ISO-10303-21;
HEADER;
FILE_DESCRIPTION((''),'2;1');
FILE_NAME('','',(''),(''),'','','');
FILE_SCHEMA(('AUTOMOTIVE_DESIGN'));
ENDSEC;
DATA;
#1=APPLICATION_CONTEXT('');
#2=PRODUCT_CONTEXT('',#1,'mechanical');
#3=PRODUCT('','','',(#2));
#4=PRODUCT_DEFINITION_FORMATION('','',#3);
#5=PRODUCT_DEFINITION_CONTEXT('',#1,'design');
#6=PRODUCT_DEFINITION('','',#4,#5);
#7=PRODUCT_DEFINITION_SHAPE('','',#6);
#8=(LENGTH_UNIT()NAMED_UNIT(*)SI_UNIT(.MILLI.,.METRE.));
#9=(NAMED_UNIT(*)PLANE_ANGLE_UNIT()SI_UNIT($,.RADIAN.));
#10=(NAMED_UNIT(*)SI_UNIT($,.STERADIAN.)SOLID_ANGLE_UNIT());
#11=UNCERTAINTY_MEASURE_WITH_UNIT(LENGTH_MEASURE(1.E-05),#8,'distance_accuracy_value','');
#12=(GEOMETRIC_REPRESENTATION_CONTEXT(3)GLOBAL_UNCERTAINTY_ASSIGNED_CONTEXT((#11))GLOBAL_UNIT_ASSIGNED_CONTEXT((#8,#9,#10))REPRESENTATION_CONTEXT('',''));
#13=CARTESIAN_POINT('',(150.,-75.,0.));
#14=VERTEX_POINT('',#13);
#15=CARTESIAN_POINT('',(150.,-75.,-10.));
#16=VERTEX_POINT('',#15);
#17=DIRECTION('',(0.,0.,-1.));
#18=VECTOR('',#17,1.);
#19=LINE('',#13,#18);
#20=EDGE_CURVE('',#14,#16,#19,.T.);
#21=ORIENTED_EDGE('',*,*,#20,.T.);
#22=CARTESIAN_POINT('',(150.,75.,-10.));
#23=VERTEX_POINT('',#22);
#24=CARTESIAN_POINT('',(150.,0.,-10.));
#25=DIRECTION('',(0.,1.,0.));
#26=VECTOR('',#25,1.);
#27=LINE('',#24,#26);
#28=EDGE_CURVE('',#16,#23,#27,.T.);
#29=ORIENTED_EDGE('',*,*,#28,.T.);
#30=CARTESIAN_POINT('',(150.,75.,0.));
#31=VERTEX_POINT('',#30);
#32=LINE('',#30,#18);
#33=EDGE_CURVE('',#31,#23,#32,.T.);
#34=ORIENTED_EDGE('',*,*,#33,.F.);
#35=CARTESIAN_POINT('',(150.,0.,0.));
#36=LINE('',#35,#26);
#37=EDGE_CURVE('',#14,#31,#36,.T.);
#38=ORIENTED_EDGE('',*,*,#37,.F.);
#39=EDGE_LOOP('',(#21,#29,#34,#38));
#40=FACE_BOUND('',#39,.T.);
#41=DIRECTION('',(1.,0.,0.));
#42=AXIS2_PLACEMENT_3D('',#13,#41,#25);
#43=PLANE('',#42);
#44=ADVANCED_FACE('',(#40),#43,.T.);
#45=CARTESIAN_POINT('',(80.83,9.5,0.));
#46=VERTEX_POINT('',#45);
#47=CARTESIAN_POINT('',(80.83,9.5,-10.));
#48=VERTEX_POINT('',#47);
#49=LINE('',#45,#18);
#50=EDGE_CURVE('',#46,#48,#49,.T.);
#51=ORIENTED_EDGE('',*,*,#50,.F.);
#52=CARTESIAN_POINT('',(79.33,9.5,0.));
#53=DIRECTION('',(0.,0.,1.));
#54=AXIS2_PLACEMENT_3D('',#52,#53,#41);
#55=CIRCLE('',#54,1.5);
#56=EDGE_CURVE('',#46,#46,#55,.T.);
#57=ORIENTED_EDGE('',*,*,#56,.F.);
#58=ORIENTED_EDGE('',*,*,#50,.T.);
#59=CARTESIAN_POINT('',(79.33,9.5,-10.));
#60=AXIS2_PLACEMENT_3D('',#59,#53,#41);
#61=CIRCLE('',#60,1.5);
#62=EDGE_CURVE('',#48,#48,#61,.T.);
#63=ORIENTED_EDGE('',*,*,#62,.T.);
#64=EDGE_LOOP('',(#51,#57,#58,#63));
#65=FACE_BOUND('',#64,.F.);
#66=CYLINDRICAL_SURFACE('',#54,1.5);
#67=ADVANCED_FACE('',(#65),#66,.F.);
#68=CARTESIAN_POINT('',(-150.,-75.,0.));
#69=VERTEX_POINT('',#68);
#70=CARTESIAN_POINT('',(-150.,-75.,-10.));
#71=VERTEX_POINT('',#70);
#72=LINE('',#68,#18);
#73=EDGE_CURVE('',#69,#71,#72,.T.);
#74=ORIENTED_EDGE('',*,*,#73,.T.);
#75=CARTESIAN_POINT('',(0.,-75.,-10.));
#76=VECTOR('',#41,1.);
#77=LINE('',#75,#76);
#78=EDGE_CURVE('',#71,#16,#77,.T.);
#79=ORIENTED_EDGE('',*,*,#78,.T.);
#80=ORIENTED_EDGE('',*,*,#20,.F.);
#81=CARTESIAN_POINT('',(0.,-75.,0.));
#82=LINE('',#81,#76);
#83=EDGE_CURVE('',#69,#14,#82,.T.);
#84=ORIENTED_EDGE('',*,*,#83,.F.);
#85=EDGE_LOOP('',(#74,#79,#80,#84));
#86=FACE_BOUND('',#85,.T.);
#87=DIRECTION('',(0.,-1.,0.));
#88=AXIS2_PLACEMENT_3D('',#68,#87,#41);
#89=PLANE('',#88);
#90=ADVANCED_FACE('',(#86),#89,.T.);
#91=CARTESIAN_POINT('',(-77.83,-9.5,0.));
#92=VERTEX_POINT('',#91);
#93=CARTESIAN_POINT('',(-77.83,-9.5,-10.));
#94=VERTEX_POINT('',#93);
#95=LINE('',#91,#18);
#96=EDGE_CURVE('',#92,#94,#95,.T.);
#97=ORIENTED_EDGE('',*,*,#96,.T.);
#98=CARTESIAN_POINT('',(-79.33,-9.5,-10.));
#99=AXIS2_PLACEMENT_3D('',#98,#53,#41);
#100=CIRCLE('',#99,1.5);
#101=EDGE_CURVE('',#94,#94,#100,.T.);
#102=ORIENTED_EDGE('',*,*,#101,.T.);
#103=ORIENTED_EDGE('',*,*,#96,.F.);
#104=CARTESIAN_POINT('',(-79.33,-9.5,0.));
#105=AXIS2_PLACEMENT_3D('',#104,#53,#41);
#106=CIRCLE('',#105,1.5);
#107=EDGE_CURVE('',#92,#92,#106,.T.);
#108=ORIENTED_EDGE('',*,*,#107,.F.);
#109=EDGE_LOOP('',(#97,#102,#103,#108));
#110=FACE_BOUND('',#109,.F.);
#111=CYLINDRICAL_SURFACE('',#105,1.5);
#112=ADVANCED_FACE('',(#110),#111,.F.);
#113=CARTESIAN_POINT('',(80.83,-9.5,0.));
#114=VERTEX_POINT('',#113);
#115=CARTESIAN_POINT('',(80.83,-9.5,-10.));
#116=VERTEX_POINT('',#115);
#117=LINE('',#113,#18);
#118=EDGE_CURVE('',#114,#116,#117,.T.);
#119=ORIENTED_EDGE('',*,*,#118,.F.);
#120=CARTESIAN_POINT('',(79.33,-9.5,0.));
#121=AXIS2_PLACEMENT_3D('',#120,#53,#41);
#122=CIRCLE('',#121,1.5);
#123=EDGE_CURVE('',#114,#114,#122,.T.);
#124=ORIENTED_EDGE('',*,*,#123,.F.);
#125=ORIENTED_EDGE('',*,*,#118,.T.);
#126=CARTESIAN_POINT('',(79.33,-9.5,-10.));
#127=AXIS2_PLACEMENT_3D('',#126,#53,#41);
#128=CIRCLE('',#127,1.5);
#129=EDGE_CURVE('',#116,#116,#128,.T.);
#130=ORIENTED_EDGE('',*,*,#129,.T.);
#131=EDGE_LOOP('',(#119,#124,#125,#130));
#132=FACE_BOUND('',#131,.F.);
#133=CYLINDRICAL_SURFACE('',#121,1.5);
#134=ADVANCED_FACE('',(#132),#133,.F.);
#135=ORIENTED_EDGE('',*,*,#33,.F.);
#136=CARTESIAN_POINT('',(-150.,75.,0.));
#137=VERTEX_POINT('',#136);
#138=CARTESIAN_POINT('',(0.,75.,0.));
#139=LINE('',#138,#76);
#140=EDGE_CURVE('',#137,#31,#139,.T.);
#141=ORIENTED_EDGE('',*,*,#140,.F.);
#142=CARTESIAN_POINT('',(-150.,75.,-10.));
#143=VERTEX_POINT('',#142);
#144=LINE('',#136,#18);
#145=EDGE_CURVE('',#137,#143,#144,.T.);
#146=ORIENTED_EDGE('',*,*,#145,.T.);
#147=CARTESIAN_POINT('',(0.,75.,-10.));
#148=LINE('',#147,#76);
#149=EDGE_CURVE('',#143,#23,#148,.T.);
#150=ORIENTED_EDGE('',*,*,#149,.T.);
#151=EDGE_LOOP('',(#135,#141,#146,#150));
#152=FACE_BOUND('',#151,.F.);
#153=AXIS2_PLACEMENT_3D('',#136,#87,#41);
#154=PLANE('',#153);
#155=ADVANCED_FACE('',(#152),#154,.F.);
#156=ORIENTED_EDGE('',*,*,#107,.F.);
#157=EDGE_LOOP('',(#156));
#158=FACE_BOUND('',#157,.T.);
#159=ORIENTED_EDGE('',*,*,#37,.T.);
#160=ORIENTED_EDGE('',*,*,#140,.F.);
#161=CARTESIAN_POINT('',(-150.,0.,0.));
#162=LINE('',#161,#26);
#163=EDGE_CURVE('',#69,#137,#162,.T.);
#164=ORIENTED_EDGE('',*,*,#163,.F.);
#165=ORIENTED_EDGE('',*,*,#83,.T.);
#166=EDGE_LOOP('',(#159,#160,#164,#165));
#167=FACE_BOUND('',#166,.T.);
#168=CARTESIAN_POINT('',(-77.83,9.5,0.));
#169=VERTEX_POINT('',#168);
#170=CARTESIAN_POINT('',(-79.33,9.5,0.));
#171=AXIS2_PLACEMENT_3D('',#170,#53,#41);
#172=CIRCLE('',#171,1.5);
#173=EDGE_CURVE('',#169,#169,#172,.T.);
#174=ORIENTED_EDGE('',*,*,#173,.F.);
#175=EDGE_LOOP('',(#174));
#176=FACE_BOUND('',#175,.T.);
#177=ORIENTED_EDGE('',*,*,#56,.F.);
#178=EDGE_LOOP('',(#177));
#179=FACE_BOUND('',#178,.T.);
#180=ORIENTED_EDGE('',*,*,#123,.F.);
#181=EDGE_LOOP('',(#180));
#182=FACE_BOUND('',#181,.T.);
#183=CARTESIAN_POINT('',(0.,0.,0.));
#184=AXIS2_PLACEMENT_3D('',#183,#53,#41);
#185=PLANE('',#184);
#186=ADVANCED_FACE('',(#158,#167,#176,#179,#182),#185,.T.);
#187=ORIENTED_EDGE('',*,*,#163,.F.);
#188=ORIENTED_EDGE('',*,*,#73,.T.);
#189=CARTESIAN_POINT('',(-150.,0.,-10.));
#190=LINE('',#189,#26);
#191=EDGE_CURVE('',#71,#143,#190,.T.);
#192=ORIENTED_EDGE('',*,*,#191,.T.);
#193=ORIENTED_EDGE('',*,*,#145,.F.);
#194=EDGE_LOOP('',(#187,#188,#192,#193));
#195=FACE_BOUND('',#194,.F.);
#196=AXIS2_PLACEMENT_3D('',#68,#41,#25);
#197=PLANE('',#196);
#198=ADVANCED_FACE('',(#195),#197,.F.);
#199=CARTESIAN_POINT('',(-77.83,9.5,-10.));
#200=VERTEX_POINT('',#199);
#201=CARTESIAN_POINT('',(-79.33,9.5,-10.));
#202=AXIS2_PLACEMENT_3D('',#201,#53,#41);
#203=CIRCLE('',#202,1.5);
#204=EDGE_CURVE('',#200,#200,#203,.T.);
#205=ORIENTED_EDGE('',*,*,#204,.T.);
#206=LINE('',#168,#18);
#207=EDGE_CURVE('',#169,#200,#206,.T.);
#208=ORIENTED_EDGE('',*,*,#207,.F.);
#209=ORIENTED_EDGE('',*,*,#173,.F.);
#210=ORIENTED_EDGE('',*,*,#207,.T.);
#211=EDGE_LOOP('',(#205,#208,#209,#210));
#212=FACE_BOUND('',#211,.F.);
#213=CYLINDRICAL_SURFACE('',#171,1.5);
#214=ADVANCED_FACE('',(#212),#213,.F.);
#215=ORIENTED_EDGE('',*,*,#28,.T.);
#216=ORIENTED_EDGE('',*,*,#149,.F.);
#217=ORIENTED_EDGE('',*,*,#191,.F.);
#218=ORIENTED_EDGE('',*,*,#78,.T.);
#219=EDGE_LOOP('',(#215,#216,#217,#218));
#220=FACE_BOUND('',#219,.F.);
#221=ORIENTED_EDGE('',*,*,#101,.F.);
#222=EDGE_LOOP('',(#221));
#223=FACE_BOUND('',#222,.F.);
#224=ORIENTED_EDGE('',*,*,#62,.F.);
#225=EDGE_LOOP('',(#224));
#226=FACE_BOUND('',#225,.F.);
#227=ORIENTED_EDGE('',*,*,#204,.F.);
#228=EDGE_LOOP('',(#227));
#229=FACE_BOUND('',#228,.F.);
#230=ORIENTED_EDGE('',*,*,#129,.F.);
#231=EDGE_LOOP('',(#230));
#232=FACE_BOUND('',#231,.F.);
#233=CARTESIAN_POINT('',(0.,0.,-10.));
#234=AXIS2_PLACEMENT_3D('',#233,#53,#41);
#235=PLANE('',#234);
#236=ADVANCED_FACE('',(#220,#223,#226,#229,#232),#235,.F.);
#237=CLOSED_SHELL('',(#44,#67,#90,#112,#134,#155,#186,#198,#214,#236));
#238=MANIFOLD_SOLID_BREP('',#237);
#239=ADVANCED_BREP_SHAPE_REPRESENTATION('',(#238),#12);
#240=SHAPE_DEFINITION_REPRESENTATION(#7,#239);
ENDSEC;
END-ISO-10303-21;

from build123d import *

# Parameters (mm, degrees)
SKETCH_W     = 300
SKETCH_H     = 150
PAD_DEPTH    = 10
SKETCH001_R  = 1.5
POCKET_DEPTH = 100


with BuildPart() as part:
    # Sketch → Pad (new body)
    with BuildSketch(Plane.XY):
        Rectangle(SKETCH_W, SKETCH_H)
    extrude(amount=-PAD_DEPTH)

    # Sketch001 (on Face5 of Pad) → Pocket (cut)
    with BuildSketch(Plane.XY):
        with Locations((79.33, 9.5)):
            Circle(SKETCH001_R)
        with Locations((79.33, -9.5)):
            Circle(SKETCH001_R)
        with Locations((-79.33, -9.5)):
            Circle(SKETCH001_R)
        with Locations((-79.33, 9.5)):
            Circle(SKETCH001_R)
    extrude(amount=-POCKET_DEPTH, mode=Mode.SUBTRACT)


solid = part.part
